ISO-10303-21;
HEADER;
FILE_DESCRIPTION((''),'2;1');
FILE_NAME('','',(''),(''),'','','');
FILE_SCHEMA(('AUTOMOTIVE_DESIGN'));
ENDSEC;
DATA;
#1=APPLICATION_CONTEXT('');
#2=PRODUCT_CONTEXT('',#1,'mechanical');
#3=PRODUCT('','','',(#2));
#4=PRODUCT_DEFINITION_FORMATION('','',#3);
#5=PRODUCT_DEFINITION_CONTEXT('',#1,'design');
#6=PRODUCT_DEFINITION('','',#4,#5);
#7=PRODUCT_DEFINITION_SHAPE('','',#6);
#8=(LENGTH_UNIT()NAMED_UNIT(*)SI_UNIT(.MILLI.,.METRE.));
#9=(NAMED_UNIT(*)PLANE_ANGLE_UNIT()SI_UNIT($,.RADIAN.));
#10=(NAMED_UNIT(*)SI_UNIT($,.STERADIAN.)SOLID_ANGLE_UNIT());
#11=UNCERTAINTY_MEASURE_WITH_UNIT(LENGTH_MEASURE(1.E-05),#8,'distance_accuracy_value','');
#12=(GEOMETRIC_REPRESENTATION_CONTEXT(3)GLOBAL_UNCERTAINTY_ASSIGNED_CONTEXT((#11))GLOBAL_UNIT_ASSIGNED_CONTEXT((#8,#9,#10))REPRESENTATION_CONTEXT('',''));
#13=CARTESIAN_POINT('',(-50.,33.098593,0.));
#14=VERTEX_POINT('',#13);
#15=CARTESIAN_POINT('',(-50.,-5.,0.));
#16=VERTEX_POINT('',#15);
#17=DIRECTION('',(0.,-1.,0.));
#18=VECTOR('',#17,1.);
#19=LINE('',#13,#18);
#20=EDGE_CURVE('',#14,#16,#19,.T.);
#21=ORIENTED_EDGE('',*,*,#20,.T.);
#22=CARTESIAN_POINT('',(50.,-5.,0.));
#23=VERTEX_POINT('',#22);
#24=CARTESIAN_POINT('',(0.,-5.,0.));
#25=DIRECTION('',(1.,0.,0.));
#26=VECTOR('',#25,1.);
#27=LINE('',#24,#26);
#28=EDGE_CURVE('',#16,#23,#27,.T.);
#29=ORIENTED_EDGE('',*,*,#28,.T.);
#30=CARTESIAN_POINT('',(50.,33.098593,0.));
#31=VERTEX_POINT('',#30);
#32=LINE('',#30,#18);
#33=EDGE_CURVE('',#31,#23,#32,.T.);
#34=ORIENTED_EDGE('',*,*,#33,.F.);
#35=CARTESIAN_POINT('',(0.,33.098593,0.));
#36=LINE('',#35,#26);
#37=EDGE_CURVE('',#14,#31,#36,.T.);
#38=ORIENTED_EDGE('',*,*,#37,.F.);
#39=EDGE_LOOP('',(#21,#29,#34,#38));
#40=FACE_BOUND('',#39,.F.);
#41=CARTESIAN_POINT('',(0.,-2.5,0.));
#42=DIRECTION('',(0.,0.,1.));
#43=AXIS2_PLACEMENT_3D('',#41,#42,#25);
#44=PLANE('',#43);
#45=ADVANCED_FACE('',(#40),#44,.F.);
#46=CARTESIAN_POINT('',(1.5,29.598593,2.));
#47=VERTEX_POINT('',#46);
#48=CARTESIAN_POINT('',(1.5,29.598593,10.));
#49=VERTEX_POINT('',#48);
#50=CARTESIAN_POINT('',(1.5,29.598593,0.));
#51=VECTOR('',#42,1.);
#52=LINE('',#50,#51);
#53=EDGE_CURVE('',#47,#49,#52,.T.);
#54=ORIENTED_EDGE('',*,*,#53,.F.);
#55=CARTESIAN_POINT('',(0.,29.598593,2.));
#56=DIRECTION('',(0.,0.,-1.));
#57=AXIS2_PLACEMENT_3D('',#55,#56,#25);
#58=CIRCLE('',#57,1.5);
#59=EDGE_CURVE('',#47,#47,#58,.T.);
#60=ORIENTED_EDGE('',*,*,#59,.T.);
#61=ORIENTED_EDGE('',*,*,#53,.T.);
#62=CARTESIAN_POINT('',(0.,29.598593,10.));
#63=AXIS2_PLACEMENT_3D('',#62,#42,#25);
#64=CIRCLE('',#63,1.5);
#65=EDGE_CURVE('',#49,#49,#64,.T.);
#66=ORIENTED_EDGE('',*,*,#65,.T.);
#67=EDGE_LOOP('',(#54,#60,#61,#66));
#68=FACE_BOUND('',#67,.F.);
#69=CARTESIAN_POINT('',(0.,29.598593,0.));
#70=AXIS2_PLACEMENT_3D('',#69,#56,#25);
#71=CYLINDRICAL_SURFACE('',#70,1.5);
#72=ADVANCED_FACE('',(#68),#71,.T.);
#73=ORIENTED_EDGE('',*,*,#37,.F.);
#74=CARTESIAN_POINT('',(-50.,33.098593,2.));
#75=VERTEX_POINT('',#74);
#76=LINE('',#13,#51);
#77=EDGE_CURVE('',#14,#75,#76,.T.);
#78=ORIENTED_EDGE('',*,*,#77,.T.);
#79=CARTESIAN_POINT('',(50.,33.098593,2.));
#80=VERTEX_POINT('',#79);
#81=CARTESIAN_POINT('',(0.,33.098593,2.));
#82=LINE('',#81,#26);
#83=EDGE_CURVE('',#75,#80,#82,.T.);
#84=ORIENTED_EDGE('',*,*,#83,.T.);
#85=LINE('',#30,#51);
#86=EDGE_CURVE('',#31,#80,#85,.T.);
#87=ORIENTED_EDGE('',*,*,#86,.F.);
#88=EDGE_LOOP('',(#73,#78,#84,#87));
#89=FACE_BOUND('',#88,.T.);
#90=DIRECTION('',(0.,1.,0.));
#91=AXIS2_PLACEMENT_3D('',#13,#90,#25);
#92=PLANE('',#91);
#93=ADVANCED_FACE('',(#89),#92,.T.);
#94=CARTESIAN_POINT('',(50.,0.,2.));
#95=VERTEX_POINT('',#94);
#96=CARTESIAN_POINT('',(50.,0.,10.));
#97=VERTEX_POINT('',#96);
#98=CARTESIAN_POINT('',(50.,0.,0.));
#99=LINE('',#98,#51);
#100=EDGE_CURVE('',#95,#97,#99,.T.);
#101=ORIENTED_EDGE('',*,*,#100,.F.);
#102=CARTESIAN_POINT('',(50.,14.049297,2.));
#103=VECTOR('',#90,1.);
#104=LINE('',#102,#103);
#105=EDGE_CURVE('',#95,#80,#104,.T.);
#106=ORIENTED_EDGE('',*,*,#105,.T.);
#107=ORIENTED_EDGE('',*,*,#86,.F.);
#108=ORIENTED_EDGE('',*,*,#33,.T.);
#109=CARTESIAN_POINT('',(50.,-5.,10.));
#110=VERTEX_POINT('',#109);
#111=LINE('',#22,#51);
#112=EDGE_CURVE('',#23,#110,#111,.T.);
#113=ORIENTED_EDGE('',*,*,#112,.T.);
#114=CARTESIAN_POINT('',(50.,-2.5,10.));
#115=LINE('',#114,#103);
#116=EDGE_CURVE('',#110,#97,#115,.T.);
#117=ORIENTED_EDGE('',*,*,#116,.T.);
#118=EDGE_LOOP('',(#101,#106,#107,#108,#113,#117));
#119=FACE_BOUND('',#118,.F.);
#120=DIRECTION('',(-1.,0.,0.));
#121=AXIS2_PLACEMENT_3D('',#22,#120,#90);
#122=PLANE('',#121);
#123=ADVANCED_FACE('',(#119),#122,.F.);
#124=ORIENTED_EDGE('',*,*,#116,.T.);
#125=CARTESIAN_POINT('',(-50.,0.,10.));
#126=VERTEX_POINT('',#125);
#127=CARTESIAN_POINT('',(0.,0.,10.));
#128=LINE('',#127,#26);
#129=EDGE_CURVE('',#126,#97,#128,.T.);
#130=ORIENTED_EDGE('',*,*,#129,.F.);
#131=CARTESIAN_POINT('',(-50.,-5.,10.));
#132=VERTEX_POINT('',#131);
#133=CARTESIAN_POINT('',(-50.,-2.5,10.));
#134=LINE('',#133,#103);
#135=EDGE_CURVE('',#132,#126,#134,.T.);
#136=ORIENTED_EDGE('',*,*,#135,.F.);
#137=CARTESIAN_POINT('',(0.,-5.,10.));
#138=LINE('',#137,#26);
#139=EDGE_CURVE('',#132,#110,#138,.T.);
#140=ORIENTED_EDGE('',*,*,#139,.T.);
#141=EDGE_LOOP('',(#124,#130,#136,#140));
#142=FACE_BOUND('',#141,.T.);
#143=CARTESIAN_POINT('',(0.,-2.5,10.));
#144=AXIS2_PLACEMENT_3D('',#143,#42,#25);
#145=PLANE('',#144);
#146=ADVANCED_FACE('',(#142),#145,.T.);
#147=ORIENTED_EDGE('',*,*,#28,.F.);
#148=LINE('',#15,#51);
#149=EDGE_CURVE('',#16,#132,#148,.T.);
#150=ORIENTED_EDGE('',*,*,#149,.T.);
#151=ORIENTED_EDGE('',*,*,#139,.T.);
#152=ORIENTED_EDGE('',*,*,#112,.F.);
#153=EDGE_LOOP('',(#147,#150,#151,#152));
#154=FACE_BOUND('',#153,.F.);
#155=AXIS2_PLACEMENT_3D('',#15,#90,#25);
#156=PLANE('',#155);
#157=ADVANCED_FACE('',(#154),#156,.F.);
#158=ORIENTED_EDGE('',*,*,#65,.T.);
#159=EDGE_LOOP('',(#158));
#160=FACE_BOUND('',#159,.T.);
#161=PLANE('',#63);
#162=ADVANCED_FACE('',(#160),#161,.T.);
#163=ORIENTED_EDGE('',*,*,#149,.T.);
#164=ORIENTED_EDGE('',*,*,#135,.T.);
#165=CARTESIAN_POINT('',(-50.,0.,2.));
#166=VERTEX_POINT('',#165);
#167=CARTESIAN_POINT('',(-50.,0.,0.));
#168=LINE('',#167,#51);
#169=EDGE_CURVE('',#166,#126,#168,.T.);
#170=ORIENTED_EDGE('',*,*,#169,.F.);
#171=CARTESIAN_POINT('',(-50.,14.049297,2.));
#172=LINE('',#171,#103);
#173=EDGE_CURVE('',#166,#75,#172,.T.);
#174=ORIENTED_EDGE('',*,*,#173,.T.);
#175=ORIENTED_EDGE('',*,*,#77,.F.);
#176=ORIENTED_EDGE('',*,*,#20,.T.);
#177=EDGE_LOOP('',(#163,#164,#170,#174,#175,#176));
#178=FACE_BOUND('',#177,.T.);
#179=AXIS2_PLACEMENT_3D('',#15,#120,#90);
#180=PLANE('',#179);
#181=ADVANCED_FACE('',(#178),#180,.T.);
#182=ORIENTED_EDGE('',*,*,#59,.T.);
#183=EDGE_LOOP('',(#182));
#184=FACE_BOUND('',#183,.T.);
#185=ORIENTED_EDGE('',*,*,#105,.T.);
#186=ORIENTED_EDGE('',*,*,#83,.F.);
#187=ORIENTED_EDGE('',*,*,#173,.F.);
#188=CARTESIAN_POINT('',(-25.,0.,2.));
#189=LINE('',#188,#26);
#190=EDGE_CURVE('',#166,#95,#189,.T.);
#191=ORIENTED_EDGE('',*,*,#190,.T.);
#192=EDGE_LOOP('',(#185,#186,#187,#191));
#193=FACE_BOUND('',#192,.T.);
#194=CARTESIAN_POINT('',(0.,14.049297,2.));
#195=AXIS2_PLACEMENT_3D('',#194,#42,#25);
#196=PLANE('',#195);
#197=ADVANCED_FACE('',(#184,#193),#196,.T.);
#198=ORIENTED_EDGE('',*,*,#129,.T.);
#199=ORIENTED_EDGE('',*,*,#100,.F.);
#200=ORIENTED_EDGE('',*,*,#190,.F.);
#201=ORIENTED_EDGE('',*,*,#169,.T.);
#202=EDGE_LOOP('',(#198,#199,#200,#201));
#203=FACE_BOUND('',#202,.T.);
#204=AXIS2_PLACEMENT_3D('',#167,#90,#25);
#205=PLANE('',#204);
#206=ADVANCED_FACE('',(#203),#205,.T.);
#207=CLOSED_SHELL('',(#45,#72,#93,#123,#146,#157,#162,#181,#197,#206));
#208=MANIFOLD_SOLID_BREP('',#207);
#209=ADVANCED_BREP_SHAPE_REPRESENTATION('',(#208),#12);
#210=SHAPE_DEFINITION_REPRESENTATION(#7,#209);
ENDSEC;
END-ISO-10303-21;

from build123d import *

# Parameters (mm, degrees)
F0_R     = 1.5
F0_W     = 100
F0_H     = 5
F1_DEPTH = 10
F2_W     = 100
F2_H     = 38.098593
F3_DEPTH = 2


with BuildPart() as f1:
    # F0 (on Top) → F1 (new body)
    with BuildSketch(Plane.XY):
        with Locations((0, 29.598593)):
            Circle(F0_R)
        with Locations((0, -2.5)):
            Rectangle(F0_W, F0_H)
    extrude(amount=F1_DEPTH)

    # F2 (on Top) → F3 (join)
    with BuildSketch(Plane.XY):
        with Locations((0, 14.049297)):
            Rectangle(F2_W, F2_H)
    extrude(amount=F3_DEPTH)


solid = f1.part
